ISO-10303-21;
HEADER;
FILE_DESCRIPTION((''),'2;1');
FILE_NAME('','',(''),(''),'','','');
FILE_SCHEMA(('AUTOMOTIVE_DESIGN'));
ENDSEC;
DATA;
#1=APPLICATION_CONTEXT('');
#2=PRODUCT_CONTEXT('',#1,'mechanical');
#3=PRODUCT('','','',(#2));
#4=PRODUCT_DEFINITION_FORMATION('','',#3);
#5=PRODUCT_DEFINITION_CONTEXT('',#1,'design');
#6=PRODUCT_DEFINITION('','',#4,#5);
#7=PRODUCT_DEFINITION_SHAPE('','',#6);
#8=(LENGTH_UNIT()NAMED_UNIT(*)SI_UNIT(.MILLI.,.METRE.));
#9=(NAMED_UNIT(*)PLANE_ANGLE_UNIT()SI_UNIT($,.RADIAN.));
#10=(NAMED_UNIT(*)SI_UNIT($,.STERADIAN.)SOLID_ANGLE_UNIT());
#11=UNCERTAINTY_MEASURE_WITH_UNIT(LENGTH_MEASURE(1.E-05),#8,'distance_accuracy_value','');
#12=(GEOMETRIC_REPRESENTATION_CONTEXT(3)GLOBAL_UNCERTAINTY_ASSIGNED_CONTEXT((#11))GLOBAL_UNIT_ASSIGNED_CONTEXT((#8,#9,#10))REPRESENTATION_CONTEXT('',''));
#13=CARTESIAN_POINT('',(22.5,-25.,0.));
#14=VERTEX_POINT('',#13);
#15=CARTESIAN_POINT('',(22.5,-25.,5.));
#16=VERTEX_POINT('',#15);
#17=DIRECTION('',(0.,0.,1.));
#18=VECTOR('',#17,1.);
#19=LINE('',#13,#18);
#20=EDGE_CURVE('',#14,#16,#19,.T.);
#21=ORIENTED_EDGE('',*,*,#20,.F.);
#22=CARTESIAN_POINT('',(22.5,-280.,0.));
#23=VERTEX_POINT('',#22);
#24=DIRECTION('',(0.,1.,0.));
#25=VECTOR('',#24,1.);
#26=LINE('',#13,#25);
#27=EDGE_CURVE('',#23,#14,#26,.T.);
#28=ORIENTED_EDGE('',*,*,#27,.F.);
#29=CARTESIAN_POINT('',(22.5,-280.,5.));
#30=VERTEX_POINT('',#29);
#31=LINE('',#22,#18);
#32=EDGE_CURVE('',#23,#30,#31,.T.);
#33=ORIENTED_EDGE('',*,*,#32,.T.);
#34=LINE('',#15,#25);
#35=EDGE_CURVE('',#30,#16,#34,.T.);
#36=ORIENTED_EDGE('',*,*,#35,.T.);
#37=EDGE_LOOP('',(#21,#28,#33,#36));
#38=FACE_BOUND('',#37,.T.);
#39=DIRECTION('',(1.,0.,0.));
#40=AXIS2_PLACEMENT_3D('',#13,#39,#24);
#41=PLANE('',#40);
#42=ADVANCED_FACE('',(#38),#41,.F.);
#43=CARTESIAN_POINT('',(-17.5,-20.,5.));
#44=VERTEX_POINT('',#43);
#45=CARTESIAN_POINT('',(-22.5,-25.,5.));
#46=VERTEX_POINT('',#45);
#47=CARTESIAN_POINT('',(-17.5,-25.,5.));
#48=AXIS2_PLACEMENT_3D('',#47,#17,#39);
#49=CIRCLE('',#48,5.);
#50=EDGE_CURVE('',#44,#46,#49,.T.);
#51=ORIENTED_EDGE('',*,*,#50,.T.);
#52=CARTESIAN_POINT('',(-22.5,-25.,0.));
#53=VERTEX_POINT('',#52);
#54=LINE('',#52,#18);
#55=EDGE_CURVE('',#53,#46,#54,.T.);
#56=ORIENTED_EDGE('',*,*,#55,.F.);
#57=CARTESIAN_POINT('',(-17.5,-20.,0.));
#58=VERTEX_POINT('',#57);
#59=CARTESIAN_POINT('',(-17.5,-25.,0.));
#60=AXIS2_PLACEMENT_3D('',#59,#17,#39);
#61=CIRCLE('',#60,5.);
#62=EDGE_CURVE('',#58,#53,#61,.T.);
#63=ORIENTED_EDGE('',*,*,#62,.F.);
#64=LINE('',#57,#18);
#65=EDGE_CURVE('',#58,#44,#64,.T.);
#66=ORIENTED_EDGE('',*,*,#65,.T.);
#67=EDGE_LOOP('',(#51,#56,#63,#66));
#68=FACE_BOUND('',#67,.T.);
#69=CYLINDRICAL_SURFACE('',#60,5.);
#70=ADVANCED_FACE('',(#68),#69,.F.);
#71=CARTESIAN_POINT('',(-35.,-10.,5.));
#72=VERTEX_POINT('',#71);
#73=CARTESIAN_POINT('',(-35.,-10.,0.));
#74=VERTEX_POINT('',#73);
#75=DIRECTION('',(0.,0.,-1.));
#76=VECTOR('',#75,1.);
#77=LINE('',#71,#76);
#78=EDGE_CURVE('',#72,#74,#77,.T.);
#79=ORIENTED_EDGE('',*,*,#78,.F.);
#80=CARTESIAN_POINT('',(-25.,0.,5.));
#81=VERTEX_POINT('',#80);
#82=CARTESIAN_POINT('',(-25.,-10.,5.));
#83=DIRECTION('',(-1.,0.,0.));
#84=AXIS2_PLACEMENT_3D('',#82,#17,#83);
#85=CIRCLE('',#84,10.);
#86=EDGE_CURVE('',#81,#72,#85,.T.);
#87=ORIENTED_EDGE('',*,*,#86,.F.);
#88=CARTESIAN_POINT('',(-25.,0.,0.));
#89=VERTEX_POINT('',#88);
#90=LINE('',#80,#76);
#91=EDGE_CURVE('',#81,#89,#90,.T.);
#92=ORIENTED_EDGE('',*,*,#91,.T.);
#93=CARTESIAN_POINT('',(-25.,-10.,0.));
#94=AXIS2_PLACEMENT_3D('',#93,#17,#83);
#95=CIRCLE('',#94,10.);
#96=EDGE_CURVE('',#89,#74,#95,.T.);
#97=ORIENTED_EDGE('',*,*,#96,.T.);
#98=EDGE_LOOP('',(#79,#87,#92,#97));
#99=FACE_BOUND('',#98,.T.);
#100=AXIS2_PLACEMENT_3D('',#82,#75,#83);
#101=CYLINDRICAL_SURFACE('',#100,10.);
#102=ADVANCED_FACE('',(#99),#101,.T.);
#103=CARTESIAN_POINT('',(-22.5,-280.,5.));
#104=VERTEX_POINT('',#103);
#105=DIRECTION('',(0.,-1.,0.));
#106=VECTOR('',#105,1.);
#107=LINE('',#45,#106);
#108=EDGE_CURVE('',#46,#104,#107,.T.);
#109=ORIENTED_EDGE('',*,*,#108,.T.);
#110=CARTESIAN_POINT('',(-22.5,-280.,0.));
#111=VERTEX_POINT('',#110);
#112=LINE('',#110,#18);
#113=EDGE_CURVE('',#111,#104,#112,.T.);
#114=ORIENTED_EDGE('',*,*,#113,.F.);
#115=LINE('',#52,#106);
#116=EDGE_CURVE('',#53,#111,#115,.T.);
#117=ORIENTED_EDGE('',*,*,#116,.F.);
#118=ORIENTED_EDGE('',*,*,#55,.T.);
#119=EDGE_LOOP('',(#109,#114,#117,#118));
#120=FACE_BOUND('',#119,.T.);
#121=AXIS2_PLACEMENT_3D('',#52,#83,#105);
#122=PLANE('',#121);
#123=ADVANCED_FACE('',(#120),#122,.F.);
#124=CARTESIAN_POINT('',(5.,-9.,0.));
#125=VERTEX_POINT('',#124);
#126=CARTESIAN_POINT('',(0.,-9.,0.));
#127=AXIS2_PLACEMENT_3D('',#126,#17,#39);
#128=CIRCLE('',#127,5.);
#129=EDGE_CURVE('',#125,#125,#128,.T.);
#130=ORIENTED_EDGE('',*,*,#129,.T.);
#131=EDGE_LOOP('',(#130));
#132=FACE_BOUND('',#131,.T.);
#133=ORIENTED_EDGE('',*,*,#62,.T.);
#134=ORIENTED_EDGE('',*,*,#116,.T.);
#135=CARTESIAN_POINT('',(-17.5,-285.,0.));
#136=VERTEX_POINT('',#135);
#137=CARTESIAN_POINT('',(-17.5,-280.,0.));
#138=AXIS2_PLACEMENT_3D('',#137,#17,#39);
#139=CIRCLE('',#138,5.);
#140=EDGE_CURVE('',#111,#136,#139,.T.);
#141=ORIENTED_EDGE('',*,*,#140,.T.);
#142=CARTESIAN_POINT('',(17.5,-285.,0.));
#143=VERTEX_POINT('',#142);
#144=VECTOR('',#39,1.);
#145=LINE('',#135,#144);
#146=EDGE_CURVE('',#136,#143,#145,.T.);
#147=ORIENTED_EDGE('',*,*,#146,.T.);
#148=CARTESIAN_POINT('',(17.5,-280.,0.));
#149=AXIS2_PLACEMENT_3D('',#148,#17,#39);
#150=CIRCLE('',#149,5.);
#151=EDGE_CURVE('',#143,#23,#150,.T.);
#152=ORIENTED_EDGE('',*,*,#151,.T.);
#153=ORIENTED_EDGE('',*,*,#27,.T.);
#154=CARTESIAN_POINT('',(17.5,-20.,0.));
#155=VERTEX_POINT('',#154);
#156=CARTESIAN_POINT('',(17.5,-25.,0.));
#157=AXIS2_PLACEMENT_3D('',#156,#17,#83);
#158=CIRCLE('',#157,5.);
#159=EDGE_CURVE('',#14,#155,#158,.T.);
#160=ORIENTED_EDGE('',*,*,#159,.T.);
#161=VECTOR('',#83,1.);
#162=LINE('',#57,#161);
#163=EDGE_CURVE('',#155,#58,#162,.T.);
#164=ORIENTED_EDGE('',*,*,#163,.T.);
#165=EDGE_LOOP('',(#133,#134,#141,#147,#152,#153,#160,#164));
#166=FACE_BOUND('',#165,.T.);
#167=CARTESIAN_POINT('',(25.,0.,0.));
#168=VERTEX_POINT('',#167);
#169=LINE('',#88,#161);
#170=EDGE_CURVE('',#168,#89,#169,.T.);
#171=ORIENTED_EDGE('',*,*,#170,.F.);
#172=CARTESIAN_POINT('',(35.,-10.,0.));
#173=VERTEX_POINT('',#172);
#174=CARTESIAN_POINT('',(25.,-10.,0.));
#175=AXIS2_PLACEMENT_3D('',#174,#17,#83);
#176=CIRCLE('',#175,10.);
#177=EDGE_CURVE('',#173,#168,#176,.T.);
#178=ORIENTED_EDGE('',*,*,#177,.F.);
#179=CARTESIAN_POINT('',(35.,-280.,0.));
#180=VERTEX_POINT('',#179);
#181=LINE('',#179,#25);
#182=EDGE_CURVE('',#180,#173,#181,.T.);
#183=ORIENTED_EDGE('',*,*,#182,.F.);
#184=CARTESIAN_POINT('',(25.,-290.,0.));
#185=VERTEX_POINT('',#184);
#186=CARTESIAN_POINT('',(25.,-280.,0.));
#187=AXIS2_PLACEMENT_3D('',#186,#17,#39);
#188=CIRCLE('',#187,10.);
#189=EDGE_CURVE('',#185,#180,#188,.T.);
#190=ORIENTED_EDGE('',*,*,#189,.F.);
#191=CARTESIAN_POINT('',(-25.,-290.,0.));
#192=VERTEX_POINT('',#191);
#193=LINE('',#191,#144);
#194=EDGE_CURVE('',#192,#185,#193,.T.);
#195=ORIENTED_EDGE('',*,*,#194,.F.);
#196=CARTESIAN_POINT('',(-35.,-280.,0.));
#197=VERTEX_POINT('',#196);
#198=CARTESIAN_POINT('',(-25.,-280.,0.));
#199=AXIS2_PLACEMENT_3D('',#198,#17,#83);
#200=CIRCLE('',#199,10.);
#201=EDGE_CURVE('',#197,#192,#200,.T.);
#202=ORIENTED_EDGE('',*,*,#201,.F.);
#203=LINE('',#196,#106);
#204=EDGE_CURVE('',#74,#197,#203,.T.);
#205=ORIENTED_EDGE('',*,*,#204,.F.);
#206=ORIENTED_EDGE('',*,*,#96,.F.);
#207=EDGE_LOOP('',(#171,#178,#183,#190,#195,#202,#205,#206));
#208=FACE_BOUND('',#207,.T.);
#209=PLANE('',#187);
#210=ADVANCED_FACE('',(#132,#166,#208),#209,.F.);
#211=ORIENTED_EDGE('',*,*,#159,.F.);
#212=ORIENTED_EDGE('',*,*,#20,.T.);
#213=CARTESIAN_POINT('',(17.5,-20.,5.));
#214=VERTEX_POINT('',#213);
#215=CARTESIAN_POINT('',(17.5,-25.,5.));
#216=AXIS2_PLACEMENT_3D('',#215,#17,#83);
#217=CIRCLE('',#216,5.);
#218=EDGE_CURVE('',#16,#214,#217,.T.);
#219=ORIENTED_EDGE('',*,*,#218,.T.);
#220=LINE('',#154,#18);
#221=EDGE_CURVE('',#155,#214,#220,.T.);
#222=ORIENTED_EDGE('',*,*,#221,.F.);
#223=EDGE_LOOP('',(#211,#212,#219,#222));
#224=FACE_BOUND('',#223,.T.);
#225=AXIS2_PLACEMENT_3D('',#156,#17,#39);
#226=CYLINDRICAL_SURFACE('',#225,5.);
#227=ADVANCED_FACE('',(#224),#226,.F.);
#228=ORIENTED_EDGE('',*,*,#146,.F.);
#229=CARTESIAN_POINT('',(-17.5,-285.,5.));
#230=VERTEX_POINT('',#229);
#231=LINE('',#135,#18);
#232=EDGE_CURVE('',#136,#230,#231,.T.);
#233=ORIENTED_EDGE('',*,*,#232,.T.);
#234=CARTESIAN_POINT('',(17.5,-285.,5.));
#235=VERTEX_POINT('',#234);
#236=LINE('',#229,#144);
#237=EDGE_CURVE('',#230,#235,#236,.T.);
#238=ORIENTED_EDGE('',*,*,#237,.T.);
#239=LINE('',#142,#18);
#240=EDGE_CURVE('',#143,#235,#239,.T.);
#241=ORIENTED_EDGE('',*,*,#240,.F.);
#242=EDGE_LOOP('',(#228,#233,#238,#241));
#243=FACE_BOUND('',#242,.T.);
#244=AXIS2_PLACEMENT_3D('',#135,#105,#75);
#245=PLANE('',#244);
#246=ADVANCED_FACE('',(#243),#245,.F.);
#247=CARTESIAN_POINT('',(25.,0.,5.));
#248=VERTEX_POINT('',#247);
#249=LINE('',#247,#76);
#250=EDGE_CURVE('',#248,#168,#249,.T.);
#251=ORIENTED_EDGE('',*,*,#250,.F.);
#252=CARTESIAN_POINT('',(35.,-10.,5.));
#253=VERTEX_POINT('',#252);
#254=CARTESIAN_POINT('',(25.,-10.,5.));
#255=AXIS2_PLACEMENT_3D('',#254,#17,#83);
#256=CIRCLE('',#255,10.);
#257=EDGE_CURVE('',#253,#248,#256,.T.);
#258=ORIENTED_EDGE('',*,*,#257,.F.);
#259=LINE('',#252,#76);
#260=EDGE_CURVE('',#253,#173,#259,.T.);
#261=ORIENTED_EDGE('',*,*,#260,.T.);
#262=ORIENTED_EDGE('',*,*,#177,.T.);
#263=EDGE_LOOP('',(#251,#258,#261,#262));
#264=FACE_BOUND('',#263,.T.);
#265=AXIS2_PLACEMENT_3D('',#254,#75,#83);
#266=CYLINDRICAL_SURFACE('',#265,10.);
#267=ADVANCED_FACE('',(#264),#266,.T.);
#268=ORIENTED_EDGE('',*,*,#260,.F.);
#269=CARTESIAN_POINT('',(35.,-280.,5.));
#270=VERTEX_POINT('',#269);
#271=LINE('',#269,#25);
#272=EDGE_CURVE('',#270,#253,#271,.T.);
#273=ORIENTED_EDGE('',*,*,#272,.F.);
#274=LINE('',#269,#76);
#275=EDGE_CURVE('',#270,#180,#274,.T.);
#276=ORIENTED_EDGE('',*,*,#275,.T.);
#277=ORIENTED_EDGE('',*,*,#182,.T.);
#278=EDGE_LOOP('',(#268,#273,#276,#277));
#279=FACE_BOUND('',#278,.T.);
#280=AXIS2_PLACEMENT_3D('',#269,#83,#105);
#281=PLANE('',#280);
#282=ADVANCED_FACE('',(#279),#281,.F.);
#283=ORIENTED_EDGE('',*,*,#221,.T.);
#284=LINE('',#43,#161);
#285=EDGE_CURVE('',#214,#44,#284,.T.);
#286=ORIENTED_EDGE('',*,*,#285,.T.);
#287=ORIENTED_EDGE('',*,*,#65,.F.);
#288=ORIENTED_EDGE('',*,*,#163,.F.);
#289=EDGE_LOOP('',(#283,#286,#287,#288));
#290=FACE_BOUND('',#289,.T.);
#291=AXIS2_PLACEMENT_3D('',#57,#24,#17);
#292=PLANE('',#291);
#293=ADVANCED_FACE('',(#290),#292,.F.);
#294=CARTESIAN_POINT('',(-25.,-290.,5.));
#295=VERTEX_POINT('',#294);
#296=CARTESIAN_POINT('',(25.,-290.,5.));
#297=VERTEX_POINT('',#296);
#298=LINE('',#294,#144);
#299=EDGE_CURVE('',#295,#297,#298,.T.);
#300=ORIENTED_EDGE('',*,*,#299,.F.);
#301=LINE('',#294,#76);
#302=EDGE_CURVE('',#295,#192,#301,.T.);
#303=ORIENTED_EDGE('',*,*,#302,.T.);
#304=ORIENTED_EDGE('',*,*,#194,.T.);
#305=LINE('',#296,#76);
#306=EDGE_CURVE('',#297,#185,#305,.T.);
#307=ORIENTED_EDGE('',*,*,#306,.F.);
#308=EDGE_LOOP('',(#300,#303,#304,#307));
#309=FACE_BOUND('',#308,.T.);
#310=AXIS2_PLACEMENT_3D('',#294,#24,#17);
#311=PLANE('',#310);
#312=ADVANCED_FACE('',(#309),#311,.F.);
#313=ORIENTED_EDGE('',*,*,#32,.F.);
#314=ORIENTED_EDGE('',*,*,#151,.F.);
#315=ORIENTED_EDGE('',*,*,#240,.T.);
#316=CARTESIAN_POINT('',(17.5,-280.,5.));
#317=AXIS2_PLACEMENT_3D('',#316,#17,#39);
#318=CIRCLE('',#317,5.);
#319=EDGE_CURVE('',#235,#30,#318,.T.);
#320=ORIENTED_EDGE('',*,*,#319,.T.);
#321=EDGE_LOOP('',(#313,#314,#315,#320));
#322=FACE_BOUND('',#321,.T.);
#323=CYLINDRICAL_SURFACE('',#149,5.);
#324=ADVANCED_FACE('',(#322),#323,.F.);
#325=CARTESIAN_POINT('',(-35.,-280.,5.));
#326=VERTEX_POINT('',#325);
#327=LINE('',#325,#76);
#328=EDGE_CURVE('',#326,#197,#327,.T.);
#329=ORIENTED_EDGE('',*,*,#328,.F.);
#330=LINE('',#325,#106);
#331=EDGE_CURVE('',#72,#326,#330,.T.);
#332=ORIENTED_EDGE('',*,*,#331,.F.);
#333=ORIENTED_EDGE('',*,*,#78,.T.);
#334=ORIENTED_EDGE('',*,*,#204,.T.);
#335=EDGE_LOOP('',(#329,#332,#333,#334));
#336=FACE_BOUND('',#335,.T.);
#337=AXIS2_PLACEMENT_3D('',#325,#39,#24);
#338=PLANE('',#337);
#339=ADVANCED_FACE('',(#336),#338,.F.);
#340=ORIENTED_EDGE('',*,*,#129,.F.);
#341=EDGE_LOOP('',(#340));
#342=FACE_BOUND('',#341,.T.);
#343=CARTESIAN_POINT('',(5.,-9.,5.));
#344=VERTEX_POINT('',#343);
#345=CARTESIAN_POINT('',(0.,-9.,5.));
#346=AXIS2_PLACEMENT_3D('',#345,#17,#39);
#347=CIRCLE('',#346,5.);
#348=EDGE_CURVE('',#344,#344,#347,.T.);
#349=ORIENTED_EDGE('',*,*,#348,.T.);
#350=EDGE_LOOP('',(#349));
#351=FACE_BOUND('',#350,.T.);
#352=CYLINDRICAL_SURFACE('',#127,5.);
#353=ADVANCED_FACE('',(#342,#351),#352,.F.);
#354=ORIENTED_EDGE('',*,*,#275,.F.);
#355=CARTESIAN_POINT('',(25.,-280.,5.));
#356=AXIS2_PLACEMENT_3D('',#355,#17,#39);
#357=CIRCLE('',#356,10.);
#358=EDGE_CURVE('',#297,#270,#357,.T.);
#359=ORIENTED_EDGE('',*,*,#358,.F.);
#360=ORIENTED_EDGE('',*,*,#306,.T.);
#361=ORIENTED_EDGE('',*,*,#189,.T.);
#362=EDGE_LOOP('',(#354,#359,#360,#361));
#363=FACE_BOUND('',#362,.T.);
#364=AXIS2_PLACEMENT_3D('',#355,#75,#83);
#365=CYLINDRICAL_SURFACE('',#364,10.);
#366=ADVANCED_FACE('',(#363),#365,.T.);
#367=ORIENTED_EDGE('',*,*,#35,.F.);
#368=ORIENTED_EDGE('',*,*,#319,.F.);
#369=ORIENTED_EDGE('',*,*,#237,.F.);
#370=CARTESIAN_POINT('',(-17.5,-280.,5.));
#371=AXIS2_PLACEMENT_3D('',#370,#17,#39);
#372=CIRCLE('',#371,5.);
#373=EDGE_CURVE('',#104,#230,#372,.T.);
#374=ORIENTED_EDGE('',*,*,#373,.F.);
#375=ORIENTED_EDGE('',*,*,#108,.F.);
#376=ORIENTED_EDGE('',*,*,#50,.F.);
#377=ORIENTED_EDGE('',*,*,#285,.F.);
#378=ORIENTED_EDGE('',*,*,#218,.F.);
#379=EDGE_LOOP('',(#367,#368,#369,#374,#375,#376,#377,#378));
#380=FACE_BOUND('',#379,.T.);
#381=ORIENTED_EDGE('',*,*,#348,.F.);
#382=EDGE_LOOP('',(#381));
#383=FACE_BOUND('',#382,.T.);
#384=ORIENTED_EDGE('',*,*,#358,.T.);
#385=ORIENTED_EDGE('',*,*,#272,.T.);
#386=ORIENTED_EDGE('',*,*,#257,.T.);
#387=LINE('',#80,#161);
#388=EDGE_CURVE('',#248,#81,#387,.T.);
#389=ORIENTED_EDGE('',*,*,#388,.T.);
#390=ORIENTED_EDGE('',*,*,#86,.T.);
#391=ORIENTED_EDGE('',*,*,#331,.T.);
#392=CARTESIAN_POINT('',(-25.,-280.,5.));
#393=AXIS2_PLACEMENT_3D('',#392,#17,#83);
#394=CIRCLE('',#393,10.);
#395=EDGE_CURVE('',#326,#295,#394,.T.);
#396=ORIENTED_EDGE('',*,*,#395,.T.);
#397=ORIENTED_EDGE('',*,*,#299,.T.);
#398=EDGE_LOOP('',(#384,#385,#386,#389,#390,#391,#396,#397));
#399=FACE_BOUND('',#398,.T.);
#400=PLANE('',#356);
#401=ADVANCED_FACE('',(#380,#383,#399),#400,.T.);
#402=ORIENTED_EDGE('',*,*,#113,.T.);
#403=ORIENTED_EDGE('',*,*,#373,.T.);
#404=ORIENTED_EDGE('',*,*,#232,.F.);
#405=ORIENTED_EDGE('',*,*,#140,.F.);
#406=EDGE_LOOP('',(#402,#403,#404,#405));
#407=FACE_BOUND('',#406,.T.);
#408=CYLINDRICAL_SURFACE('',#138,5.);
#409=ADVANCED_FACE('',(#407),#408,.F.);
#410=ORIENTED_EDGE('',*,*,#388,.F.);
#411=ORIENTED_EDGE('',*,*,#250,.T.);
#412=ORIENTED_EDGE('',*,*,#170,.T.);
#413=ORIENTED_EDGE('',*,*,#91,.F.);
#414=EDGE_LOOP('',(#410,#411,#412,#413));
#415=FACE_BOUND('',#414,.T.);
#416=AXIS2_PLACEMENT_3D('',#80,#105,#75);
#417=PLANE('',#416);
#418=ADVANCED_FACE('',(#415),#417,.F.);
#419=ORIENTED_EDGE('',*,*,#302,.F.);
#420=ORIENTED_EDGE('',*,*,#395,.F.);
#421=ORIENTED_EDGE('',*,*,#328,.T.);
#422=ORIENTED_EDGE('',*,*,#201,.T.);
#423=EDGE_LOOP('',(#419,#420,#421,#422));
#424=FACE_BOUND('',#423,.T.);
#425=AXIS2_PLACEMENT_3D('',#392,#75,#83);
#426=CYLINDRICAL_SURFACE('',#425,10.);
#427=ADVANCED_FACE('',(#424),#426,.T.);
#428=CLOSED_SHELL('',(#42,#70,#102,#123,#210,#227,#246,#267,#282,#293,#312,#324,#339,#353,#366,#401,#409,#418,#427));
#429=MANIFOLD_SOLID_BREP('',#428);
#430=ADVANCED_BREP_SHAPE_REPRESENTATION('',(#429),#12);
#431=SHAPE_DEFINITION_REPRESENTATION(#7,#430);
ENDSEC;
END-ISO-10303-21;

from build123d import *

# Parameters (mm, degrees)
BOSS_EXTRUDE3_DEPTH = 5
SKETCH6_R           = 5
CUT_EXTRUDE1_DEPTH  = 6


with BuildPart() as part:
    # Sketch4 → Boss-Extrude3 (new body)
    with BuildSketch(Plane.XY):
        with BuildLine():
            Line((-25, -290), (25, -290))
            ThreePointArc((25, -290), (32.071067812, -287.071067812), (35, -280))
            Line((35, -280), (35, -10))
            ThreePointArc((35, -10), (32.071067812, -2.928932188), (25, 0))
            Line((25, 0), (-25, 0))
            ThreePointArc((-25, 0), (-32.071067812, -2.928932188), (-35, -10))
            Line((-35, -10), (-35, -280))
            ThreePointArc((-35, -280), (-32.071067812, -287.071067812), (-25, -290))
        make_face()
    extrude(amount=BOSS_EXTRUDE3_DEPTH)

    # Sketch6 → Cut-Extrude1 (cut, through all)
    with BuildSketch(Plane.XY.offset(5)):
        with Locations((0, -9)):
            Circle(SKETCH6_R)
        with BuildLine():
            Line((-17.5, -20), (17.5, -20))
            ThreePointArc((17.5, -20), (21.035533906, -21.464466094), (22.5, -25))
            Line((22.5, -25), (22.5, -280))
            ThreePointArc((22.5, -280), (21.035533906, -283.535533906), (17.5, -285))
            Line((17.5, -285), (-17.5, -285))
            ThreePointArc((-17.5, -285), (-21.035533906, -283.535533906), (-22.5, -280))
            Line((-22.5, -280), (-22.5, -25))
            ThreePointArc((-22.5, -25), (-21.035533906, -21.464466094), (-17.5, -20))
        make_face()
    extrude(amount=-CUT_EXTRUDE1_DEPTH, mode=Mode.SUBTRACT)


solid = part.part
